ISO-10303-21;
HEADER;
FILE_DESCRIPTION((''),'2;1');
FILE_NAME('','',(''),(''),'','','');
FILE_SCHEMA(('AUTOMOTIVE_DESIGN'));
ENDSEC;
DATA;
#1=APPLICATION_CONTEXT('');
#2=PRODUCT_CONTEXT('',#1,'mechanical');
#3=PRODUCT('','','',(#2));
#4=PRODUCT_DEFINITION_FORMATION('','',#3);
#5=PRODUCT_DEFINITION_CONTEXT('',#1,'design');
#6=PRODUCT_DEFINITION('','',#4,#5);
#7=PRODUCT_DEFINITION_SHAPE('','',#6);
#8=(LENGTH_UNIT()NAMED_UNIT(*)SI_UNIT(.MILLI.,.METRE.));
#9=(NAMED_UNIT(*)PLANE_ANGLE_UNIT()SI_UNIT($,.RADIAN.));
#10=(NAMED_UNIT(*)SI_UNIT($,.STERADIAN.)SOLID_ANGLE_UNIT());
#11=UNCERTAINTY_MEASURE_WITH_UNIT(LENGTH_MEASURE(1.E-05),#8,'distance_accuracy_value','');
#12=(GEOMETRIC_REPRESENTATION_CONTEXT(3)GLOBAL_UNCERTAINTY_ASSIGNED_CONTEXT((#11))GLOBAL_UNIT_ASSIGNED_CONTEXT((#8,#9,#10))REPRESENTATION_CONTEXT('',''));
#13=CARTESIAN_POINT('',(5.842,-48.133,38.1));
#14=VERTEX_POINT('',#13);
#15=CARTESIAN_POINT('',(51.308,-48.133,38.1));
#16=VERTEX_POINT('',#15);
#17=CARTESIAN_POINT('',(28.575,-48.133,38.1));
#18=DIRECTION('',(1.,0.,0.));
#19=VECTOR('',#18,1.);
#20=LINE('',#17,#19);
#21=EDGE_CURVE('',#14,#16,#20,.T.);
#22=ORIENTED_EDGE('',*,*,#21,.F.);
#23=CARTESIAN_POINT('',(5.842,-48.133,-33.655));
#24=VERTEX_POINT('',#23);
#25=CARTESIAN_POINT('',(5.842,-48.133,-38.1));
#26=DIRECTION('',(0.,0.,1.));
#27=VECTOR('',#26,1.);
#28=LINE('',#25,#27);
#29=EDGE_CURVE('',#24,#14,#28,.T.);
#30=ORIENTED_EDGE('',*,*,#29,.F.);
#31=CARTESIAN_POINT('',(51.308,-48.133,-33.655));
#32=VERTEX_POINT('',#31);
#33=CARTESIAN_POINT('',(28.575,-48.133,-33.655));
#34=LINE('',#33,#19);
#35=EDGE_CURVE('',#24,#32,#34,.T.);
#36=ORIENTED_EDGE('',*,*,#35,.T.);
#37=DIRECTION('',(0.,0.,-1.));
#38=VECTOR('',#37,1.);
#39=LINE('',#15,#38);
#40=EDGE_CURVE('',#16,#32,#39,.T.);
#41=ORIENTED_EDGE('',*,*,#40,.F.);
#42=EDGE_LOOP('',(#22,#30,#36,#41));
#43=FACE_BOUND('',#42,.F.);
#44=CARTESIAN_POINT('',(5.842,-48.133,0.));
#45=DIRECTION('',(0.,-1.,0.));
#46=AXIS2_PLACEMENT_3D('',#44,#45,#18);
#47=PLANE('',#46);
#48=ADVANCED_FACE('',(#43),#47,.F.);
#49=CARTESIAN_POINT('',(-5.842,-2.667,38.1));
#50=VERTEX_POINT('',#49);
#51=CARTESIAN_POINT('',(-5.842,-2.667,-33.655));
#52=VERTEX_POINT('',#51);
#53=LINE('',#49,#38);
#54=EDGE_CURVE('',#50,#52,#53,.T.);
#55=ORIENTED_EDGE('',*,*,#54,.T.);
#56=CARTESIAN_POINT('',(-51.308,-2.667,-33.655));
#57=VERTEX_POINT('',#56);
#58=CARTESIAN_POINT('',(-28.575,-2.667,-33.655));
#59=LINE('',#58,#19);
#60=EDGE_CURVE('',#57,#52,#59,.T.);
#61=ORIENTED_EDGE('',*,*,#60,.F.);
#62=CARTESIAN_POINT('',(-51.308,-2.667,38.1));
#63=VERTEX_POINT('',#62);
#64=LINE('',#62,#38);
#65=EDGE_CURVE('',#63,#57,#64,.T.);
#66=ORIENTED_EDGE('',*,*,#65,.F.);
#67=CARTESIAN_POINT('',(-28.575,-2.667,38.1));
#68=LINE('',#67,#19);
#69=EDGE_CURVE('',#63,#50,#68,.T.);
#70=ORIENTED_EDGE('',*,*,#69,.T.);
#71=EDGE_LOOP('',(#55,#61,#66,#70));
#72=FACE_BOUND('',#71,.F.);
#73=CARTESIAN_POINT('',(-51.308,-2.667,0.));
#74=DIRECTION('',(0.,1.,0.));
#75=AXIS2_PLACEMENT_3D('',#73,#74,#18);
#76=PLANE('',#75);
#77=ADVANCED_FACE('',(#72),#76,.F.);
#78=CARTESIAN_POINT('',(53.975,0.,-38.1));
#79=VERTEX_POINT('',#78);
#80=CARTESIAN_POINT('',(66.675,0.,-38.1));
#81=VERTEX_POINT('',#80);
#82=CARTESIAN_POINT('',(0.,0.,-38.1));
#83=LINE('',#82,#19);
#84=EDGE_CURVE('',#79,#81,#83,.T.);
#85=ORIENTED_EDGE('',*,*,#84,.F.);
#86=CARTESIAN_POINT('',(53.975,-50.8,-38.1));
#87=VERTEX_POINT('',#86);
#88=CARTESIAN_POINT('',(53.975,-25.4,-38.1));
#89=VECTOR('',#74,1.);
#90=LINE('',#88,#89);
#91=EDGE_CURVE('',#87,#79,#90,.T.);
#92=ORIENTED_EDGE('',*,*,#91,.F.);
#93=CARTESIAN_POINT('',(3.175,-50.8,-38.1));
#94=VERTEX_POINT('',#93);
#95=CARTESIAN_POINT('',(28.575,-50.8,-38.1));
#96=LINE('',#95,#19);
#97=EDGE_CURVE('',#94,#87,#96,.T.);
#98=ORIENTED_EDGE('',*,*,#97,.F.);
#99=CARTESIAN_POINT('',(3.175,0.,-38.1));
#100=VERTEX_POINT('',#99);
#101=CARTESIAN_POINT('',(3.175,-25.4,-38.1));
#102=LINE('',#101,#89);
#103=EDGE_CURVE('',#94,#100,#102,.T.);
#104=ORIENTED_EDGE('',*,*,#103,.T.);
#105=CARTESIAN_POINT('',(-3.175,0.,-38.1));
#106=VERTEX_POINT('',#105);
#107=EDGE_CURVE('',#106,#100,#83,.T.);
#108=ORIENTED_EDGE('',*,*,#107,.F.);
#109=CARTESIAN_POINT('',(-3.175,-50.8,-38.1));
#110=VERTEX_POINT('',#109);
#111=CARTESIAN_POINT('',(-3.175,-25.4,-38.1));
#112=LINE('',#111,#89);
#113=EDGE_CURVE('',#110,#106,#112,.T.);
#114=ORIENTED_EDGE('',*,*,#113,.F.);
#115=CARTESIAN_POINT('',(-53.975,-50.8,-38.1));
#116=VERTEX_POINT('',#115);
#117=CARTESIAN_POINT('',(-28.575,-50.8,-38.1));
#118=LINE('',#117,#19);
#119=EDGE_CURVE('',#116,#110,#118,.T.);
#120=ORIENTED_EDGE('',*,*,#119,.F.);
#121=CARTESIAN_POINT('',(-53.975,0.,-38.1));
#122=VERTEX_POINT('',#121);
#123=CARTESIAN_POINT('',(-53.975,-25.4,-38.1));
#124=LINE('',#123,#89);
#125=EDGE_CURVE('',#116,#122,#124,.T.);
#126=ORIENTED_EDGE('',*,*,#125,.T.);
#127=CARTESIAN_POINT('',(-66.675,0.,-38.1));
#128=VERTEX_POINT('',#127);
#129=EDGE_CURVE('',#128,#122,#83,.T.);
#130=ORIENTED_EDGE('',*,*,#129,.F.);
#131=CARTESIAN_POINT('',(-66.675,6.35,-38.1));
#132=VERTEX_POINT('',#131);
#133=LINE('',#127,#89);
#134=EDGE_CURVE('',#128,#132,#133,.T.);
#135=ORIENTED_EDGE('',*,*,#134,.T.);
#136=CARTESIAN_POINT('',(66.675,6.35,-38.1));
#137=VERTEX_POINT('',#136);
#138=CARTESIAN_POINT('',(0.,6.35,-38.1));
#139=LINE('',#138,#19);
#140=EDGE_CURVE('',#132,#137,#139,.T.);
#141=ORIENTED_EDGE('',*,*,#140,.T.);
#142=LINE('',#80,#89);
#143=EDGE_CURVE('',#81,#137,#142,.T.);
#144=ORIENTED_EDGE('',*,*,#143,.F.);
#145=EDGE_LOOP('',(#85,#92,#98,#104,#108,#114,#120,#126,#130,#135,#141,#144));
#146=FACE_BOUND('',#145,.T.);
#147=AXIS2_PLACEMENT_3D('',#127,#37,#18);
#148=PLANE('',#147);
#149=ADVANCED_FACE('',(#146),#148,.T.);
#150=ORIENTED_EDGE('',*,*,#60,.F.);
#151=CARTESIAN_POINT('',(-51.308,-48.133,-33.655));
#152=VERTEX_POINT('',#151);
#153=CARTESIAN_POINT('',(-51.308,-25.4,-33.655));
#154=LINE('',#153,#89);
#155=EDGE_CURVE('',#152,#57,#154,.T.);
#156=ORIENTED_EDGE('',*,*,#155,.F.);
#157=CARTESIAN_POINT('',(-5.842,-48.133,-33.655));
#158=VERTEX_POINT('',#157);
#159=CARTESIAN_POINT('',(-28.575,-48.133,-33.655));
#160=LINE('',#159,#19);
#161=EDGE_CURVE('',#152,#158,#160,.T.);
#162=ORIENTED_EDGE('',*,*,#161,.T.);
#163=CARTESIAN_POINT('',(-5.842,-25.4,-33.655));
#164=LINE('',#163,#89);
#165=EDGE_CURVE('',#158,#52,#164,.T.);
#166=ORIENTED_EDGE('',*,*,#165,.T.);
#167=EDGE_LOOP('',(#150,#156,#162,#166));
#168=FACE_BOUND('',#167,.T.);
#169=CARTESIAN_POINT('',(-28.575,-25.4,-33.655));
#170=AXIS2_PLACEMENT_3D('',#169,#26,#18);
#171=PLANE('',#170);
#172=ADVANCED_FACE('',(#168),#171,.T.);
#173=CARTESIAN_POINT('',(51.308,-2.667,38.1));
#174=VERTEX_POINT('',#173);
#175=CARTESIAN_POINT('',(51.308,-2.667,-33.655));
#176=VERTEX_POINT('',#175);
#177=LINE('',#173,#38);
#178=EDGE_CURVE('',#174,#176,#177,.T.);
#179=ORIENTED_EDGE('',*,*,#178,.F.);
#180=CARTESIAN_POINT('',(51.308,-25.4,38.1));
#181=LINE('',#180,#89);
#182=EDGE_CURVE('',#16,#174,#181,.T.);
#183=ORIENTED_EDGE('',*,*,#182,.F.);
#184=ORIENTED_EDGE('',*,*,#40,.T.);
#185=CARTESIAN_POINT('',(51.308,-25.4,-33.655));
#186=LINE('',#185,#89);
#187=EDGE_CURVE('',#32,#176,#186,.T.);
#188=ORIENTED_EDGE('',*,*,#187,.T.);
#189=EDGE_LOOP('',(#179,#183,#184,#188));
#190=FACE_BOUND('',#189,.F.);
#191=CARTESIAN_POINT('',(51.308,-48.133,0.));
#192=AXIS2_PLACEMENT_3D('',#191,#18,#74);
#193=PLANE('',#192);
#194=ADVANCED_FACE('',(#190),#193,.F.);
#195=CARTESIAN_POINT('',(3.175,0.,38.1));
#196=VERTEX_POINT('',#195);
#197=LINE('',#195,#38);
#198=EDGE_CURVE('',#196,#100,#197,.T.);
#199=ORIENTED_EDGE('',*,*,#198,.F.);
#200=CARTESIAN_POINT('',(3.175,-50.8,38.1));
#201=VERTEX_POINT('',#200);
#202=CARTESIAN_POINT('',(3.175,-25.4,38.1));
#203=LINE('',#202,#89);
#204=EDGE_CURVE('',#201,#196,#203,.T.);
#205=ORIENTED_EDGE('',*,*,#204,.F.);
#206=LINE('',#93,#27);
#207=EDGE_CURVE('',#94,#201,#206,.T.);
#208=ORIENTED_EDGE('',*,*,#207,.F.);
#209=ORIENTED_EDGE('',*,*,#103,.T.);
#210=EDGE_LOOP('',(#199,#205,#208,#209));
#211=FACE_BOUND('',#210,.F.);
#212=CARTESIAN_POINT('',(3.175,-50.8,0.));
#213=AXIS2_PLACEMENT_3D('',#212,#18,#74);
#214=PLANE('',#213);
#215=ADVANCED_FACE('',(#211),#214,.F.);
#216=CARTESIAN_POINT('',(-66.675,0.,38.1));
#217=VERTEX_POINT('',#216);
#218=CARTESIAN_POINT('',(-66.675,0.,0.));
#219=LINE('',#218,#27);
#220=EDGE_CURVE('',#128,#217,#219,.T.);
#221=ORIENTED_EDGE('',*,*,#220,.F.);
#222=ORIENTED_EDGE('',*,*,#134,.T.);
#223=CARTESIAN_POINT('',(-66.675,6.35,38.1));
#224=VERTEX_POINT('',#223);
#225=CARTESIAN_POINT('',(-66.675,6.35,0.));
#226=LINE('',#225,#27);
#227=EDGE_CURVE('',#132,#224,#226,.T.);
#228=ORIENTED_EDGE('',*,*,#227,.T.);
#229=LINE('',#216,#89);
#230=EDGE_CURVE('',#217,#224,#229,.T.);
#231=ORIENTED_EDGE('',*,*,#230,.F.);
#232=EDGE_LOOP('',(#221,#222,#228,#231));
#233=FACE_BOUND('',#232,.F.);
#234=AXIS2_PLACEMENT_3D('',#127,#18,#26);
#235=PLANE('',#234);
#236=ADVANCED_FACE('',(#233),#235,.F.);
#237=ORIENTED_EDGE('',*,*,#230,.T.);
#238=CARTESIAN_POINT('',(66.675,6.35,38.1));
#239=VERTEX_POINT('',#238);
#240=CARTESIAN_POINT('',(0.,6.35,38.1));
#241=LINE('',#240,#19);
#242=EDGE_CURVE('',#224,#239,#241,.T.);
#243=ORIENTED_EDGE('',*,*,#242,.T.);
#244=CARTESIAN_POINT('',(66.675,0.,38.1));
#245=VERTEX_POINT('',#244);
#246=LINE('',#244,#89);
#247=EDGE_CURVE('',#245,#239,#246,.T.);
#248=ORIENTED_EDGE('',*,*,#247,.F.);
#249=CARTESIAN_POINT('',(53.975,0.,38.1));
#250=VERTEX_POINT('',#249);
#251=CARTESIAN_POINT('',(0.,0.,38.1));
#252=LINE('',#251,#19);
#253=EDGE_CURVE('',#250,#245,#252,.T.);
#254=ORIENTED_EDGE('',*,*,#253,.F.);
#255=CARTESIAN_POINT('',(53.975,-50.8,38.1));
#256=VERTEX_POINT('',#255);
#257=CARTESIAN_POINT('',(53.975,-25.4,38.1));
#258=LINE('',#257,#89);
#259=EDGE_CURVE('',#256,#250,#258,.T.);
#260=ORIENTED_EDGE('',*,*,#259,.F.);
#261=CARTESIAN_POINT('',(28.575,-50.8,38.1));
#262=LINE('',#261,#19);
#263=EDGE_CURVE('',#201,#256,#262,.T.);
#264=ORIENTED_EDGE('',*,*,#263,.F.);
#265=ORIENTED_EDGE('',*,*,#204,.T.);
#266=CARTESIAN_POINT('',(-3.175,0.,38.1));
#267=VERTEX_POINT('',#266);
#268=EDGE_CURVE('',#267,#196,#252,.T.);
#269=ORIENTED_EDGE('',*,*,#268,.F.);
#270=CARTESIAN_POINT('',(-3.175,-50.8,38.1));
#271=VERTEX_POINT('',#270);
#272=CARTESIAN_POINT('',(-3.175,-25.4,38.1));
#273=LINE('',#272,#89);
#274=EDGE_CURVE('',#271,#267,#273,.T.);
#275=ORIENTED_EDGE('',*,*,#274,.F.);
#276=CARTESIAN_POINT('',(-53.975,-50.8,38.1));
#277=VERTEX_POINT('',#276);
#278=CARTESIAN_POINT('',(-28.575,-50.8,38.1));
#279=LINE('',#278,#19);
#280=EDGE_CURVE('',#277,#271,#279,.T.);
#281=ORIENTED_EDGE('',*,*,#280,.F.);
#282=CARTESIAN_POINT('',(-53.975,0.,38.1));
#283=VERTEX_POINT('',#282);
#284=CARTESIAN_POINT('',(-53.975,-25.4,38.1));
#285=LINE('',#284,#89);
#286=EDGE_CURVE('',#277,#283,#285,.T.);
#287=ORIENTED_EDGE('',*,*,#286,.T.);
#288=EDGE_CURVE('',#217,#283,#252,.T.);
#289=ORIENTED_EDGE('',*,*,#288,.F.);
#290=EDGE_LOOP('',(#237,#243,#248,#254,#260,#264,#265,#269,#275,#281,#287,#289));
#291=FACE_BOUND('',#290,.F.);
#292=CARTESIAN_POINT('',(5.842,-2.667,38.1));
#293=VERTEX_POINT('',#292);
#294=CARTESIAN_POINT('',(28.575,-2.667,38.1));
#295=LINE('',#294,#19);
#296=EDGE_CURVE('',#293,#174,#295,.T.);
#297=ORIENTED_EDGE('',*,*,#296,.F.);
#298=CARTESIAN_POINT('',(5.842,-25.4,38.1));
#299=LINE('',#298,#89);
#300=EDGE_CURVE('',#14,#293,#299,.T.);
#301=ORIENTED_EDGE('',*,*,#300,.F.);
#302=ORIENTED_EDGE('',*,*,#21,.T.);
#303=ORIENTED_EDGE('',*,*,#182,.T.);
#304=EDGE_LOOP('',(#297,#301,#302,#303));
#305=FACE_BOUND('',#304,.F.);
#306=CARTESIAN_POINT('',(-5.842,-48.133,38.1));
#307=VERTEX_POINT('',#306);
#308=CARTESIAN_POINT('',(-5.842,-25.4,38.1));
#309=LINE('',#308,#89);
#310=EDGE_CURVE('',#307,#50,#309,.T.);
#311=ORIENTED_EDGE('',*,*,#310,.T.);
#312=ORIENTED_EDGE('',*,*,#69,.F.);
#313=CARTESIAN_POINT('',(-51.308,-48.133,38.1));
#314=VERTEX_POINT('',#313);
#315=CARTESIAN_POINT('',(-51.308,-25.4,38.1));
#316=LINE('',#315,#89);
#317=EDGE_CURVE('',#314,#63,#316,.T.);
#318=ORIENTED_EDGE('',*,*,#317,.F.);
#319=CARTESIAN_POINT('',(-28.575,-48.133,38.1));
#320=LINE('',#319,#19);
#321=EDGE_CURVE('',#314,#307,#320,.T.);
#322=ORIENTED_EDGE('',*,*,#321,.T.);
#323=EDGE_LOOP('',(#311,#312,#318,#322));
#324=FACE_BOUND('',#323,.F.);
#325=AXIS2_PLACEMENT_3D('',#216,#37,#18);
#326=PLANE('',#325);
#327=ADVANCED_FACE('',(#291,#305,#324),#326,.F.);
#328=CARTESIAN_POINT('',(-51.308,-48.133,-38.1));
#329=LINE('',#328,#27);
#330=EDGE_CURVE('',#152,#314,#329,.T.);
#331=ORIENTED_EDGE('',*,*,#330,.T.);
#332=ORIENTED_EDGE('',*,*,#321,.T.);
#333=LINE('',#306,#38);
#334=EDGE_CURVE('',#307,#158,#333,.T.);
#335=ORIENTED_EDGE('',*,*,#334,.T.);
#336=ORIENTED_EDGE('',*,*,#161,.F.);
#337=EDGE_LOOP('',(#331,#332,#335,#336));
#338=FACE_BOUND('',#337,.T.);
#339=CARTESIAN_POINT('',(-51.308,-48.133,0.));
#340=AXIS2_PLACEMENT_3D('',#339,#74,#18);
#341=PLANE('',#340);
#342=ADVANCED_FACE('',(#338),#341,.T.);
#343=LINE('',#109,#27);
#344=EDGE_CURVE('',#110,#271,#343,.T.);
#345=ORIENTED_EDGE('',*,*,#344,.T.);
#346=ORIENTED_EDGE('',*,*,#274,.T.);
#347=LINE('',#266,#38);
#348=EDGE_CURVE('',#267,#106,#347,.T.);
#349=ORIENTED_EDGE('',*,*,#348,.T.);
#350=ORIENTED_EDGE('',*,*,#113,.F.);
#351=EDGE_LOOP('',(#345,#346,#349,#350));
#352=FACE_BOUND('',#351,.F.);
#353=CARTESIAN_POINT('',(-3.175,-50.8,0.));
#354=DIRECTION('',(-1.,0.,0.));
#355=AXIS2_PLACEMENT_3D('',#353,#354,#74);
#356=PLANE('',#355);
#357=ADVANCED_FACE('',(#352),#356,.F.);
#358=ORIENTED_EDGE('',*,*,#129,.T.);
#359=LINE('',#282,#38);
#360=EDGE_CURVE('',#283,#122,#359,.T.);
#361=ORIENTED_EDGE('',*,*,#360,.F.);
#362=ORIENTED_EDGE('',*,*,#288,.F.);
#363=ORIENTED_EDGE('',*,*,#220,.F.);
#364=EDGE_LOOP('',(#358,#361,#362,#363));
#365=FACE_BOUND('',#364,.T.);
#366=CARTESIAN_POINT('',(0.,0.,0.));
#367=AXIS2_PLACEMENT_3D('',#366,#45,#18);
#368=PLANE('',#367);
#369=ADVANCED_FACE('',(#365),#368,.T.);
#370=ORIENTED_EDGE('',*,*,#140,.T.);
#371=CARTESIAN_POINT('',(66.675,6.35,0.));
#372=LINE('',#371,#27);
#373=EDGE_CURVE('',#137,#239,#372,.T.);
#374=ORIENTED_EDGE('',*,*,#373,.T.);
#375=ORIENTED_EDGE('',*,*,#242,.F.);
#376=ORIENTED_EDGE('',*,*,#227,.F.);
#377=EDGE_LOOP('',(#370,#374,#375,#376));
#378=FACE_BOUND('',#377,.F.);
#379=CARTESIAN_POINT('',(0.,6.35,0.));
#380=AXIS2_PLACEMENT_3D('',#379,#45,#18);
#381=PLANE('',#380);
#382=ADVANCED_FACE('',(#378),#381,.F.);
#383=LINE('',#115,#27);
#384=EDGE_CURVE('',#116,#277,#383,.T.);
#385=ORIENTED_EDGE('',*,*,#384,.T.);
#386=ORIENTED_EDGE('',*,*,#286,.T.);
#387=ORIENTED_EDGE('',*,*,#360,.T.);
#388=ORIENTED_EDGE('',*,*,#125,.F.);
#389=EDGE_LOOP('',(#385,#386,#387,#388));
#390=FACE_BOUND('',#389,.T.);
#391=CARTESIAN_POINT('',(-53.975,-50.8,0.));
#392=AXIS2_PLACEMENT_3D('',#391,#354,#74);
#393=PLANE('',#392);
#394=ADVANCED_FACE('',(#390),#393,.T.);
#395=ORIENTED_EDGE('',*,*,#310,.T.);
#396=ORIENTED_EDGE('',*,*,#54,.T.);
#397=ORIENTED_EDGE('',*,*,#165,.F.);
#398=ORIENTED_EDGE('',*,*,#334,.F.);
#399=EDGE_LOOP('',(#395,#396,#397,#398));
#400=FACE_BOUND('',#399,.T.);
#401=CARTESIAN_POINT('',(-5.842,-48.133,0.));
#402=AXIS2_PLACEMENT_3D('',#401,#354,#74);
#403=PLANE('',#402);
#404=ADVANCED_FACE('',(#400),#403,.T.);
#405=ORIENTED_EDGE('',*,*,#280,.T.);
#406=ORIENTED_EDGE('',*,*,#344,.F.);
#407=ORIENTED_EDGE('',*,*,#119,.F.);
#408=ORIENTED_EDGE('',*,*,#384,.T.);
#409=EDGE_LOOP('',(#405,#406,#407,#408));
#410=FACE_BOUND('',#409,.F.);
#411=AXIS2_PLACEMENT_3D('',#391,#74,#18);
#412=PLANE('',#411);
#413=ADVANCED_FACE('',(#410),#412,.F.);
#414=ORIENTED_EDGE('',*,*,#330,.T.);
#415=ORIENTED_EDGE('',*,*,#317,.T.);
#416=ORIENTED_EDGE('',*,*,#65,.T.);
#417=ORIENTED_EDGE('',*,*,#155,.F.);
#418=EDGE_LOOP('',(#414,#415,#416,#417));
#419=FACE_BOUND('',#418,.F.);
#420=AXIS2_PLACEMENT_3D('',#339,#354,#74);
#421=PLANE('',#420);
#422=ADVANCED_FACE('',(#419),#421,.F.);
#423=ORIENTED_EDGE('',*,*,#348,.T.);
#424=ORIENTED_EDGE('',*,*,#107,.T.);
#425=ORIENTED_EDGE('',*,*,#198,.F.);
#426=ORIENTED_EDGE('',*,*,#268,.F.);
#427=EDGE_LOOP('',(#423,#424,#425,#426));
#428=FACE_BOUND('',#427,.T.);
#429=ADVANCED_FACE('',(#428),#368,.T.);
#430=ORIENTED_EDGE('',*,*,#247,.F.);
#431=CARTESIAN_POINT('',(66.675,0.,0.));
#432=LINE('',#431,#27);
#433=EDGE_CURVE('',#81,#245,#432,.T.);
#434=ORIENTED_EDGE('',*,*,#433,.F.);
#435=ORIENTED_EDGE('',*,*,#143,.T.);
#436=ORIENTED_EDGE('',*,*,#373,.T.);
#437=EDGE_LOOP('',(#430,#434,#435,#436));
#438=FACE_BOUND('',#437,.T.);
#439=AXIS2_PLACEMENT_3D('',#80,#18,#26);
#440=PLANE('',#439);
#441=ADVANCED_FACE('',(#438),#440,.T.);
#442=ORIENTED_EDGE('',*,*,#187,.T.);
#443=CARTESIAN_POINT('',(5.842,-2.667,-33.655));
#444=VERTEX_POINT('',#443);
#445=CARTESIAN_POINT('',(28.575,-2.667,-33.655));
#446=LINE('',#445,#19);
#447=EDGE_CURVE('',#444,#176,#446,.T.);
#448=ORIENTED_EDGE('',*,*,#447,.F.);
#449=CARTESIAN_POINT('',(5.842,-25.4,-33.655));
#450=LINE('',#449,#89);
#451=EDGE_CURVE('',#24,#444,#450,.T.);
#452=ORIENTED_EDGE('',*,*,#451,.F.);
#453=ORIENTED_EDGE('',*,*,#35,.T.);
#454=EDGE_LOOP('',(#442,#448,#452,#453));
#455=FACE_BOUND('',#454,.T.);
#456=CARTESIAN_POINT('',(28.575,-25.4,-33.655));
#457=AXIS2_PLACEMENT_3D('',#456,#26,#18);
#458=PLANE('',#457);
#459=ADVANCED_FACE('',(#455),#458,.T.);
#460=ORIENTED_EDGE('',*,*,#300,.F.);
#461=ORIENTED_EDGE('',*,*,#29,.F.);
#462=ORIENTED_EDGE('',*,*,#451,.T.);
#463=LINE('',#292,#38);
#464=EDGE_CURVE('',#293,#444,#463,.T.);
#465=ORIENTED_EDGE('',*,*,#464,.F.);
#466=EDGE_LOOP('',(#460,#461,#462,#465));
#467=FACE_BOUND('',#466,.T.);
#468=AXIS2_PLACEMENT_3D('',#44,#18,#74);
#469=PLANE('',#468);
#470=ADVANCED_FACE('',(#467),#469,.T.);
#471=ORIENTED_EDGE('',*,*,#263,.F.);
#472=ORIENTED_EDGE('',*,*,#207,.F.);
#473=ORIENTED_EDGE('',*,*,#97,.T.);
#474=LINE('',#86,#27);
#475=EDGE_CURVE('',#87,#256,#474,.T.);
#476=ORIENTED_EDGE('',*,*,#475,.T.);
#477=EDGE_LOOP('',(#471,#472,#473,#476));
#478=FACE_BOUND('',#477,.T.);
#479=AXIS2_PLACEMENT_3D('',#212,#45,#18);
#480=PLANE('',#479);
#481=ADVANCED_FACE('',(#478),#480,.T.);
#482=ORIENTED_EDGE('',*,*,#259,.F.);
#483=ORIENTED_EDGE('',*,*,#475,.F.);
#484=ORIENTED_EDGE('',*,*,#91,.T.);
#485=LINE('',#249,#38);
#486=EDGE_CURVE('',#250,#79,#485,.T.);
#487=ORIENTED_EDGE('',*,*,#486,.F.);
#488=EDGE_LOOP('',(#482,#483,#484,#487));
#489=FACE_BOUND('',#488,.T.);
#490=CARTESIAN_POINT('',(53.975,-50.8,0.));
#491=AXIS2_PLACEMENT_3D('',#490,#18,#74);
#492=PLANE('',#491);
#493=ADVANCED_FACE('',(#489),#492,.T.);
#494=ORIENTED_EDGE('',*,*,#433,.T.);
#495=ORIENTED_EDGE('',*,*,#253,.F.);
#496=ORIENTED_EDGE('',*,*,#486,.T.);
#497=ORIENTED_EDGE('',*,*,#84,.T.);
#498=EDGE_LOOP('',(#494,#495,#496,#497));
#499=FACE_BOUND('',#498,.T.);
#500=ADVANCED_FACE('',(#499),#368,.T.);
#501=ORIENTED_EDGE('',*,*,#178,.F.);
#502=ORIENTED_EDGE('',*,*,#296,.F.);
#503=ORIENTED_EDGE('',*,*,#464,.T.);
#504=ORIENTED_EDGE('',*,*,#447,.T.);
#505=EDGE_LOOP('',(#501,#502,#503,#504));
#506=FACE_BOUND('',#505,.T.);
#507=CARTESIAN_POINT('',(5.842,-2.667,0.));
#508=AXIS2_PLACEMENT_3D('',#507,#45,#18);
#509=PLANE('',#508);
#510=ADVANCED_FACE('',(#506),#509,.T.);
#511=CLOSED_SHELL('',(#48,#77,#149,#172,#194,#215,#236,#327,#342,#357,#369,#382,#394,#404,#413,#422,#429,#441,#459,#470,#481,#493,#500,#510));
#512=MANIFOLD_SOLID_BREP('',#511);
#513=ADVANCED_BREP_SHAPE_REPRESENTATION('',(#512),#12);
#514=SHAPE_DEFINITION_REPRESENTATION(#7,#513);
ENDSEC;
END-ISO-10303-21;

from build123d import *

# Parameters (mm, degrees)
F0_W     = 133.35
F0_H     = 76.2
F2_DEPTH = 6.35
F1_W     = 50.8
F1_H     = 50.8
F1_W_2   = 45.466
F1_H_2   = 45.466
F3_DEPTH = 38.1
F4_START = -33.655
F4_DEPTH = 4.445


with BuildPart() as f2:
    # F0 (on Front) → F2 (new body)
    with BuildSketch(Plane.XZ):
        Rectangle(F0_W, F0_H)
    extrude(amount=-F2_DEPTH)

    # F1 (on Top) → F3 (join, symmetric)
    with BuildSketch(Plane.XY):
        with Locations((-28.575, -25.4)):
            Rectangle(F1_W, F1_H)
        with Locations((-28.575, -25.4)):
            Rectangle(F1_W_2, F1_H_2, mode=Mode.SUBTRACT)
        with Locations((28.575, -25.4)):
            Rectangle(F1_W, F1_H)
        with Locations((28.575, -25.4)):
            Rectangle(F1_W_2, F1_H_2, mode=Mode.SUBTRACT)
    extrude(amount=F3_DEPTH, both=True)

    # F1 (on Top) → F4 (join)
    with BuildSketch(Plane.XY.offset(F4_START)):
        with Locations((-28.575, -25.4)):
            Rectangle(F1_W_2, F1_H_2)
        with Locations((28.575, -25.4)):
            Rectangle(F1_W_2, F1_H_2)
    extrude(amount=-F4_DEPTH)


solid = f2.part
